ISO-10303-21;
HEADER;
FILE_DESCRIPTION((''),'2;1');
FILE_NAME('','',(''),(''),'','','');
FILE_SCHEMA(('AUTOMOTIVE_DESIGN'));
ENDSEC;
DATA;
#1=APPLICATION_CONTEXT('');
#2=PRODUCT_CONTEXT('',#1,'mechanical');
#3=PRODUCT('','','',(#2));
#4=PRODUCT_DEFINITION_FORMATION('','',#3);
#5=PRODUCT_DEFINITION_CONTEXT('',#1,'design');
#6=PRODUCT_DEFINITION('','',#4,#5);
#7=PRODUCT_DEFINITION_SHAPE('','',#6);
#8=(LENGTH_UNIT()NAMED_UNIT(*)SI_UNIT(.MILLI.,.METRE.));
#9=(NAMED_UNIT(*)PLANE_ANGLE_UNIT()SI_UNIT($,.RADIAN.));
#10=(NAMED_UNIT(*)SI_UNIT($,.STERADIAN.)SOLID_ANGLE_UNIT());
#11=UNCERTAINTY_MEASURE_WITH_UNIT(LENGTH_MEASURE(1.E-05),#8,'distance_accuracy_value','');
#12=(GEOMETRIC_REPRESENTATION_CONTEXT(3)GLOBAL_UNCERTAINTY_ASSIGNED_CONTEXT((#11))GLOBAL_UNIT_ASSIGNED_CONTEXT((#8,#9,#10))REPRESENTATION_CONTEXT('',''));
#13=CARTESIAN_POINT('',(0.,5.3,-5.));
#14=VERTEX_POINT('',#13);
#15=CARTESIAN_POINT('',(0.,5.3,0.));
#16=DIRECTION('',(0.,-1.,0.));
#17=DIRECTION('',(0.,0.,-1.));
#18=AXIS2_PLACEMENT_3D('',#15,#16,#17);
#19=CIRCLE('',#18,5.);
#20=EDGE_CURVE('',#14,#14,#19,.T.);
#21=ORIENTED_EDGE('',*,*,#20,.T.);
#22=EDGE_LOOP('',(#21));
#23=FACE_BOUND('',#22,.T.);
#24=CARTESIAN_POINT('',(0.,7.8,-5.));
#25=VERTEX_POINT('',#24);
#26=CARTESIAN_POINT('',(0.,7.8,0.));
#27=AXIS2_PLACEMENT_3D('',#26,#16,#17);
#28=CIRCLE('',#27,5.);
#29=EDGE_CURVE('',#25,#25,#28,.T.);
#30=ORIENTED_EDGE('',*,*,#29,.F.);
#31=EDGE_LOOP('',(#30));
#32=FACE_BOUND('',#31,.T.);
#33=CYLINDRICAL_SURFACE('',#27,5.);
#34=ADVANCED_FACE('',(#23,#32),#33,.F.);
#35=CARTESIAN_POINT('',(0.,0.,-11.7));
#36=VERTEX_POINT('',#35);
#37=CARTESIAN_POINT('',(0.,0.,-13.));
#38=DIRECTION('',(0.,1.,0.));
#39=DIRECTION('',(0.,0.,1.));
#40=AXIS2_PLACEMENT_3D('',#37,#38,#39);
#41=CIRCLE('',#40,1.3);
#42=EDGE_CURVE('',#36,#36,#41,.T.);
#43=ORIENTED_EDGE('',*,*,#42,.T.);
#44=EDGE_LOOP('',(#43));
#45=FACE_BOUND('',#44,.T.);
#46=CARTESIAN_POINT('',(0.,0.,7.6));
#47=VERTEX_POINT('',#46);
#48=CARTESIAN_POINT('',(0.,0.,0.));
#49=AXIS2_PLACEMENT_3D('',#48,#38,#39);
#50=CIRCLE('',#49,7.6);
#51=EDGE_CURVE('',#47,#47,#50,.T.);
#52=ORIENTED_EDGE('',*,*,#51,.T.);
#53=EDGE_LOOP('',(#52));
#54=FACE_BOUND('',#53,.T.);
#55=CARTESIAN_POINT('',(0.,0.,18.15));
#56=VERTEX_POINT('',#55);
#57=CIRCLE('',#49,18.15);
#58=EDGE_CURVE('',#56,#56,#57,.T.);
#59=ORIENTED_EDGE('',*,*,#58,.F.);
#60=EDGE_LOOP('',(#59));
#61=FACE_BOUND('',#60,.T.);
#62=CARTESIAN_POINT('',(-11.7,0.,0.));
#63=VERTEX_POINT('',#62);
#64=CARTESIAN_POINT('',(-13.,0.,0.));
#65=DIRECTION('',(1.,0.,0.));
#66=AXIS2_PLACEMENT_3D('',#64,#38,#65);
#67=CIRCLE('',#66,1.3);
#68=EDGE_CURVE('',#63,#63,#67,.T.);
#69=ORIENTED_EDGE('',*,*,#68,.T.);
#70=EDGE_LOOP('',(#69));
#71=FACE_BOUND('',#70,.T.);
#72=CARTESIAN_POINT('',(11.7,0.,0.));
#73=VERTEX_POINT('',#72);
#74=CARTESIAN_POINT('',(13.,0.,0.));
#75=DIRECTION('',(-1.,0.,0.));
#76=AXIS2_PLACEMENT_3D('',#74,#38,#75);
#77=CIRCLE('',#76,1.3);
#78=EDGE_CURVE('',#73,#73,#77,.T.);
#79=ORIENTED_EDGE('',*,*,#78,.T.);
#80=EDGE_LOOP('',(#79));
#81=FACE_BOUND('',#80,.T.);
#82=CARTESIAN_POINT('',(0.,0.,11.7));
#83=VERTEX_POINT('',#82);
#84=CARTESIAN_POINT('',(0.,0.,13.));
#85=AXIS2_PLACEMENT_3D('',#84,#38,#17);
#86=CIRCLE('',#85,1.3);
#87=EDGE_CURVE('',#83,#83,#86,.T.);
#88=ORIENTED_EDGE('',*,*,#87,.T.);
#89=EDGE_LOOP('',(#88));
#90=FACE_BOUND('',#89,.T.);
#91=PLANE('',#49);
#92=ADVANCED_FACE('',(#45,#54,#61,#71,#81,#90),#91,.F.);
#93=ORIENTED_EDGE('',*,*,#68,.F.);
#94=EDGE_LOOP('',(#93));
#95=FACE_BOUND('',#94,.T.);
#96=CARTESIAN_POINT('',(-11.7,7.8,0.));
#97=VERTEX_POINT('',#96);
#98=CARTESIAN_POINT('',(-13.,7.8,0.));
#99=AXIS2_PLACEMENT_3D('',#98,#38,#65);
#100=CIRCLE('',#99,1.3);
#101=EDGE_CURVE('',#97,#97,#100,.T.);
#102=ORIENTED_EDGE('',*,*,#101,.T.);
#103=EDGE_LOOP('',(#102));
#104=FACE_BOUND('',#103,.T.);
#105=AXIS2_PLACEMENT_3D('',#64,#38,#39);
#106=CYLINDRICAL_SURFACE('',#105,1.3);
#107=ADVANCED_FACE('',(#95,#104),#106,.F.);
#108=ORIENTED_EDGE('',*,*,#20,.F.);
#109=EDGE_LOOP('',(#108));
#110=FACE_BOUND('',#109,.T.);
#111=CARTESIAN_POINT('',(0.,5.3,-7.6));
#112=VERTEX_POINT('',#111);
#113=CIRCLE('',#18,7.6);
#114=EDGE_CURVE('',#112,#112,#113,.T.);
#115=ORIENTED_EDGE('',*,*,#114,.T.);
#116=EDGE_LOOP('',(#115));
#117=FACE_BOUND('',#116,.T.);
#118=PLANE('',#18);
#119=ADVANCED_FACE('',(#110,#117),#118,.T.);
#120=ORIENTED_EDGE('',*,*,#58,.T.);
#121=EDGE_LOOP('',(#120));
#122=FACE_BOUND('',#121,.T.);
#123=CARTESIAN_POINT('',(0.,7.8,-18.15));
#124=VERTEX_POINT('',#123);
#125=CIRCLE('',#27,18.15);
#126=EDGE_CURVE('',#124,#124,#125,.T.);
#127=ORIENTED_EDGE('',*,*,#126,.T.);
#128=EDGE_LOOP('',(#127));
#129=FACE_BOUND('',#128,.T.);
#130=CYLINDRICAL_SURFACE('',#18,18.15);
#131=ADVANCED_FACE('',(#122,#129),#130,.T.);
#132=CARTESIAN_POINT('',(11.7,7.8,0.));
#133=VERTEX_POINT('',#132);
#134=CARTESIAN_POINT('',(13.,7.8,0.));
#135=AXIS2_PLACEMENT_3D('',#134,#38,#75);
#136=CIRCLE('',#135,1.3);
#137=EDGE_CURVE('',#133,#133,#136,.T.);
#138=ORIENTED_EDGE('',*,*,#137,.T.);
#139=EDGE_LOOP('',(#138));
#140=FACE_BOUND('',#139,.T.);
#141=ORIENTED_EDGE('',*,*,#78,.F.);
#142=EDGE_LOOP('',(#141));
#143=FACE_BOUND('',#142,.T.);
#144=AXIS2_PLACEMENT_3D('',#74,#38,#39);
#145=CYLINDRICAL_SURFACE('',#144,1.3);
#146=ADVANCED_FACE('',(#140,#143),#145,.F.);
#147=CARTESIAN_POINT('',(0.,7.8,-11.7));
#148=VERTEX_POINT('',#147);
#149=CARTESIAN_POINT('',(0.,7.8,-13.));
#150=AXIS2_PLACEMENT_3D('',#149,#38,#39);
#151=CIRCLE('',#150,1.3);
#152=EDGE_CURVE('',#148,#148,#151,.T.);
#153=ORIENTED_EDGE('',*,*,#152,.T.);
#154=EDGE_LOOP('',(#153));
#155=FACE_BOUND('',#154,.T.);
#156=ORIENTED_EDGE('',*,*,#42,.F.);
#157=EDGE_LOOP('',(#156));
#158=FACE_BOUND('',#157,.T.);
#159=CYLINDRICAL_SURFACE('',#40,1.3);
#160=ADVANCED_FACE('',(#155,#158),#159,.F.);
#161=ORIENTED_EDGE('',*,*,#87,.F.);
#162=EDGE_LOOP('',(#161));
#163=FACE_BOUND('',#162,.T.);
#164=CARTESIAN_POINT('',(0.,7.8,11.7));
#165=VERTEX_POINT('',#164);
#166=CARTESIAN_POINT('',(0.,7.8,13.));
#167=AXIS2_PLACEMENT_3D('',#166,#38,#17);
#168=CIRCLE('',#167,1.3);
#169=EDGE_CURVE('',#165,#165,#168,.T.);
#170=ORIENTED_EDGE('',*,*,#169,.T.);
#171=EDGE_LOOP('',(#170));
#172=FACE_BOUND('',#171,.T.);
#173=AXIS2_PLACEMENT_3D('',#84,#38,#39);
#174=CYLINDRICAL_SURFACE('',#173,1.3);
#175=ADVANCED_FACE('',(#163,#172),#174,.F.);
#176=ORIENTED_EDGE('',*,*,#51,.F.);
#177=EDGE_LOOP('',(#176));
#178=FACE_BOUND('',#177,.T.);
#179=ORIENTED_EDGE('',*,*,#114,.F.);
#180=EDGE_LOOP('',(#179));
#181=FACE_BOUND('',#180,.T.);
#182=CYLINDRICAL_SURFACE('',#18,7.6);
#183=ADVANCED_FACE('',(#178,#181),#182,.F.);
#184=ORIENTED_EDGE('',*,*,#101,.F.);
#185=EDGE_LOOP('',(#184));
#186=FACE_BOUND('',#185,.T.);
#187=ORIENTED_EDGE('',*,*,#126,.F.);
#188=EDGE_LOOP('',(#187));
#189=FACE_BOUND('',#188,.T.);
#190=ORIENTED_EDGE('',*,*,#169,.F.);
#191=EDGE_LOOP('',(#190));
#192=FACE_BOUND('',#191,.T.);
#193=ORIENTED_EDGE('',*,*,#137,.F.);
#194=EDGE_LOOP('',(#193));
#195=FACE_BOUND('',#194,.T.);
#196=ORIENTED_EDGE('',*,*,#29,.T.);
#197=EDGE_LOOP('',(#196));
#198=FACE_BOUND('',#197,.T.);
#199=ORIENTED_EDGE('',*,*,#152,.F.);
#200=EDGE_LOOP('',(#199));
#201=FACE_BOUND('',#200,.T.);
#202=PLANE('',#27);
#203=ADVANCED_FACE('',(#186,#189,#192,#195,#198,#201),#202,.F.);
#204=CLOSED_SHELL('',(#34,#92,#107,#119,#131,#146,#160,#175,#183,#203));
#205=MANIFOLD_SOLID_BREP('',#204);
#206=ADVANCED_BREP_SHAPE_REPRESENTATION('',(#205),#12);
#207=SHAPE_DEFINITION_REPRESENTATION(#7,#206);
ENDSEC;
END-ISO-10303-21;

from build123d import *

# Parameters (mm, degrees)
SKETCH_1_R               = 18.15
SKETCH_1_R_2             = 7.6
EXTRUDE_1_DEPTH          = 5.3
SKETCH_8_R               = 18.15
SKETCH_8_R_2             = 5
EXTRUDE_6_DEPTH          = 2.5
SKETCH_9_R               = 1.3
CUT_EXTRUDE_3_DEPTH      = 8.8
PATTERN_CIRCULAR_1_COUNT = 4


with BuildPart() as part:
    # Эскиз1 → Бобышка-Вытянуть1 (new body)
    with BuildSketch(Plane(origin=(0, 0, 0), x_dir=(1, 0, 0), z_dir=(0, 1, 0))):
        Circle(SKETCH_1_R)
        Circle(SKETCH_1_R_2, mode=Mode.SUBTRACT)
    extrude(amount=EXTRUDE_1_DEPTH)

    # Эскиз8 → Бобышка-Вытянуть6 (add)
    with BuildSketch(Plane.XZ.offset(-5.3)):
        Circle(SKETCH_8_R)
        Circle(SKETCH_8_R_2, mode=Mode.SUBTRACT)
    extrude(amount=-EXTRUDE_6_DEPTH)

    # Эскиз9 → Вырез-Вытянуть3 (cut, through all)
    with BuildSketch(Plane(origin=(0, 7.8, 0), x_dir=(1, 0, 0), z_dir=(0, 1, 0))):
        with Locations((0, 13)):
            Circle(SKETCH_9_R)
    cut_extrude_3 = extrude(amount=-CUT_EXTRUDE_3_DEPTH, mode=Mode.SUBTRACT)

    # Круговой массив1: Вырез-Вытянуть3 ×4 about axis
    pattern_circular_1_axis = Axis((0, 0, 0), (0, 1, 0))
    for i in range(1, PATTERN_CIRCULAR_1_COUNT):
        add(cut_extrude_3.rotate(pattern_circular_1_axis, i * 360 / PATTERN_CIRCULAR_1_COUNT), mode=Mode.SUBTRACT)


solid = part.part
